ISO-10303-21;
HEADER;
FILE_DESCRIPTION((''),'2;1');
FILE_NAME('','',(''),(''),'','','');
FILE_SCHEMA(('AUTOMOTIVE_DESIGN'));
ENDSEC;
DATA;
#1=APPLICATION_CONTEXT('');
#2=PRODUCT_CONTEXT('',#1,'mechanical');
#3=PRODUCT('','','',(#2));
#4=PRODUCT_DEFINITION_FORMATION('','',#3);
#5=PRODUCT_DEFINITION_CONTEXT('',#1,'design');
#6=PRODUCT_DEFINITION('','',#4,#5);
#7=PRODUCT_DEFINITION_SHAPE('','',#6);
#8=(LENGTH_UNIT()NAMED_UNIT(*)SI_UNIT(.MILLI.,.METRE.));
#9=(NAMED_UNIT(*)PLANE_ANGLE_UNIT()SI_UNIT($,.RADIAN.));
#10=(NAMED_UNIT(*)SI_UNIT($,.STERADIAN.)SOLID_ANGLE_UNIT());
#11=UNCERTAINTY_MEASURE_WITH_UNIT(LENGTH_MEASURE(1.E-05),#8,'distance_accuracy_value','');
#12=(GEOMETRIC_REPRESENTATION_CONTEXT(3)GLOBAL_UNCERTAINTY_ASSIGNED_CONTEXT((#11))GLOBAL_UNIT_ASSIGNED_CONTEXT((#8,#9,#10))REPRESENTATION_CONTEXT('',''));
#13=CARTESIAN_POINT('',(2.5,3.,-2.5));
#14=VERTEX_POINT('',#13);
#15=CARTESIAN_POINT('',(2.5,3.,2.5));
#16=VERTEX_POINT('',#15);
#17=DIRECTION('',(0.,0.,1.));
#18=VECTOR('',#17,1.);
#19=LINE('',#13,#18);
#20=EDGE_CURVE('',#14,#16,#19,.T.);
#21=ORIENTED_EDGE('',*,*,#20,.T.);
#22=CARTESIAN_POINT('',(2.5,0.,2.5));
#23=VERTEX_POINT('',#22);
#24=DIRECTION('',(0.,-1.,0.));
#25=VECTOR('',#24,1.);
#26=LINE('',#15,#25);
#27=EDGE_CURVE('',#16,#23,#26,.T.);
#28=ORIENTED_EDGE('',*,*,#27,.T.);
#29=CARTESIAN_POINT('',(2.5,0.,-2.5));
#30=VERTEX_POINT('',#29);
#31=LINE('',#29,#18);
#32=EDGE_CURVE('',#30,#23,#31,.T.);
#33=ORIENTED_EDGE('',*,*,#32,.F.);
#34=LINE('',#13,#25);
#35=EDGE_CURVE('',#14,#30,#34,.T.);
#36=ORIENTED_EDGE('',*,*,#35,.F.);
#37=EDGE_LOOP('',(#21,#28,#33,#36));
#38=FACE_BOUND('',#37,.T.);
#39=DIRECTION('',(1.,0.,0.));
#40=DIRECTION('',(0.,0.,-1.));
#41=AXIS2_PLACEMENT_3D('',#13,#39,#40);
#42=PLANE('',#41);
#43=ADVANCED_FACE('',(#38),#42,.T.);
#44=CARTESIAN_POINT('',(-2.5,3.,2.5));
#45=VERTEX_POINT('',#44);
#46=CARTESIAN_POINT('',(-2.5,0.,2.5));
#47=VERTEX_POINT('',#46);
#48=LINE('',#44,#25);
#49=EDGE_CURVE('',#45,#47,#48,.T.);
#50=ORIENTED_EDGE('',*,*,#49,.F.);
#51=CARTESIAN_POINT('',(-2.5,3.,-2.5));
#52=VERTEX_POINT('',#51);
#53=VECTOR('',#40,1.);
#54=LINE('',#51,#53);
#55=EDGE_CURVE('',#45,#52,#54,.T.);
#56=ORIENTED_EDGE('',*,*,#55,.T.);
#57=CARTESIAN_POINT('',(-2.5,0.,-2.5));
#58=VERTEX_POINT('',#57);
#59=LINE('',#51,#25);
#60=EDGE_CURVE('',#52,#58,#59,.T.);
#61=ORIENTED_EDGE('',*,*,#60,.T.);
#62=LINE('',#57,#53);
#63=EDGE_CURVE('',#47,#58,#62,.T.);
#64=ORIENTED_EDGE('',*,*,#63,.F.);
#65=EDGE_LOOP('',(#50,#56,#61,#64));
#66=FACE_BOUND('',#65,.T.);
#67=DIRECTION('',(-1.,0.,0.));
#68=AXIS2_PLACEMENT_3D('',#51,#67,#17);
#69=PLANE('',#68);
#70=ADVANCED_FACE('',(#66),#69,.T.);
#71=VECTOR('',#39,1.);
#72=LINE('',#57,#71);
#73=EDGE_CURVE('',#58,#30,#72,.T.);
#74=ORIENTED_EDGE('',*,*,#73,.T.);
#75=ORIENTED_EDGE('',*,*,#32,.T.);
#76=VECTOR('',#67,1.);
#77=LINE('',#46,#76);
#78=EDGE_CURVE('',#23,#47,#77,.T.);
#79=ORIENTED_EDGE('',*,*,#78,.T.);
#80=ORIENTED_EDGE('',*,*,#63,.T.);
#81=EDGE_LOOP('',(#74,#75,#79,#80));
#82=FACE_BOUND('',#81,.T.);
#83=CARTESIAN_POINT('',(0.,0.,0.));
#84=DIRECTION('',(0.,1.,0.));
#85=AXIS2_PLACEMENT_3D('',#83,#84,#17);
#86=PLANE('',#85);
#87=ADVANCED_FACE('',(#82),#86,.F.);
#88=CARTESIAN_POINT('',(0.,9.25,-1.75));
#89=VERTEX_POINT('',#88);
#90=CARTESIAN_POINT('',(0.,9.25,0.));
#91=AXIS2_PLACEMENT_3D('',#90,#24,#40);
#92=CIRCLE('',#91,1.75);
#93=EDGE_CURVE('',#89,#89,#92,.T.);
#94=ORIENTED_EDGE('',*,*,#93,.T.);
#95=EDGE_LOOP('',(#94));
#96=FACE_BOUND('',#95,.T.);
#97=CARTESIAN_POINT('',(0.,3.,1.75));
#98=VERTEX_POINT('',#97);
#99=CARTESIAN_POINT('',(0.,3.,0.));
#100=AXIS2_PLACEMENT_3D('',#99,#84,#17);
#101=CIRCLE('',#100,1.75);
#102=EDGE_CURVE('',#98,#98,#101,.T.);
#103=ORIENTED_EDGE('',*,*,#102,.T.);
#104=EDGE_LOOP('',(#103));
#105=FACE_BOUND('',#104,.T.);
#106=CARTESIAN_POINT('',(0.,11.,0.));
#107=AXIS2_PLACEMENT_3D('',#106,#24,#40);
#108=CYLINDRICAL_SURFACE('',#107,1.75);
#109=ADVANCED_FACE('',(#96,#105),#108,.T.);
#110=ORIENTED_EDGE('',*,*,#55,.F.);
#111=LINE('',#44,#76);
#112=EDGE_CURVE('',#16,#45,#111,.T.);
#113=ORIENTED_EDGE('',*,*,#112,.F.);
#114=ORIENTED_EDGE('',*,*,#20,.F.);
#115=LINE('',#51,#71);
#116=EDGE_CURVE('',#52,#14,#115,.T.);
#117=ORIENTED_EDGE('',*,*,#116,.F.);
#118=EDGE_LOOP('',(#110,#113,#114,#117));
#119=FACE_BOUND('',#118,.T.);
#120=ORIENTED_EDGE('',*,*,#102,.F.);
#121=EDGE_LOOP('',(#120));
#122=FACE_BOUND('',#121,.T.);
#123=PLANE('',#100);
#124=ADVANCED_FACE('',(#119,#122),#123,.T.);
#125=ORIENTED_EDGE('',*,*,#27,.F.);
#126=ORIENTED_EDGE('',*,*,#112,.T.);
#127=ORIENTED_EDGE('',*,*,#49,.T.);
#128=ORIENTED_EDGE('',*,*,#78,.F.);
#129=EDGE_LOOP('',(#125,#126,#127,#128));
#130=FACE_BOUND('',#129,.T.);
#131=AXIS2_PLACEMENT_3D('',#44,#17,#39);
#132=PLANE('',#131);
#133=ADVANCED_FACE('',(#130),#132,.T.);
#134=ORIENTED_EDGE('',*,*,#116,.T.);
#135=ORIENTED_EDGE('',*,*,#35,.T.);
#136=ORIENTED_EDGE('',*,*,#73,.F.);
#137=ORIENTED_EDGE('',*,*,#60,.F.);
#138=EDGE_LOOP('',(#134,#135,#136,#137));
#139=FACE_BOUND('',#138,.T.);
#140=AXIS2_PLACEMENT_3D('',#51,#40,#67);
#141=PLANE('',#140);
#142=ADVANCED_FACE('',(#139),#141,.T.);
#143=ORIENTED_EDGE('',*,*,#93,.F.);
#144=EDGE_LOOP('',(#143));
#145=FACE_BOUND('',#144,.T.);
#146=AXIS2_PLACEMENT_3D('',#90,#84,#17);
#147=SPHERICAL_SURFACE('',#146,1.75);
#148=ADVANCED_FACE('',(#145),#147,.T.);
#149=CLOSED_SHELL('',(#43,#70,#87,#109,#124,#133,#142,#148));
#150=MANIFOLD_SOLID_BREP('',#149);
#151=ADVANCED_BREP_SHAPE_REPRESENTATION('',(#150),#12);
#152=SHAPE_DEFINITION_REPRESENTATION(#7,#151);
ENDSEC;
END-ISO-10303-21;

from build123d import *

# Parameters (mm, degrees)
SKETCH1_R           = 1.75
BOSS_EXTRUDE1_DEPTH = 11
FILLET1_R           = 1.75
SKETCH3_W           = 5
SKETCH3_H           = 5
BOSS_EXTRUDE2_DEPTH = 3


with BuildPart() as part:
    # Sketch1 → Boss-Extrude1 (new body)
    with BuildSketch(Plane(origin=(0, 0, 0), x_dir=(1, 0, 0), z_dir=(0, 1, 0))):
        with Locations(Location((0, 0, 0), (0, 0, 270))):
            Circle(SKETCH1_R)
    extrude(amount=BOSS_EXTRUDE1_DEPTH)

    # Fillet1
    fillet1_edges = [part.edges().sort_by_distance(p)[0] for p in [
        (0, 11, -1.75),
    ]]
    fillet(fillet1_edges, radius=FILLET1_R)

    # Sketch3 → Boss-Extrude2 (add)
    with BuildSketch(Plane.XZ):
        Rectangle(SKETCH3_W, SKETCH3_H)
    extrude(amount=-BOSS_EXTRUDE2_DEPTH)


solid = part.part
